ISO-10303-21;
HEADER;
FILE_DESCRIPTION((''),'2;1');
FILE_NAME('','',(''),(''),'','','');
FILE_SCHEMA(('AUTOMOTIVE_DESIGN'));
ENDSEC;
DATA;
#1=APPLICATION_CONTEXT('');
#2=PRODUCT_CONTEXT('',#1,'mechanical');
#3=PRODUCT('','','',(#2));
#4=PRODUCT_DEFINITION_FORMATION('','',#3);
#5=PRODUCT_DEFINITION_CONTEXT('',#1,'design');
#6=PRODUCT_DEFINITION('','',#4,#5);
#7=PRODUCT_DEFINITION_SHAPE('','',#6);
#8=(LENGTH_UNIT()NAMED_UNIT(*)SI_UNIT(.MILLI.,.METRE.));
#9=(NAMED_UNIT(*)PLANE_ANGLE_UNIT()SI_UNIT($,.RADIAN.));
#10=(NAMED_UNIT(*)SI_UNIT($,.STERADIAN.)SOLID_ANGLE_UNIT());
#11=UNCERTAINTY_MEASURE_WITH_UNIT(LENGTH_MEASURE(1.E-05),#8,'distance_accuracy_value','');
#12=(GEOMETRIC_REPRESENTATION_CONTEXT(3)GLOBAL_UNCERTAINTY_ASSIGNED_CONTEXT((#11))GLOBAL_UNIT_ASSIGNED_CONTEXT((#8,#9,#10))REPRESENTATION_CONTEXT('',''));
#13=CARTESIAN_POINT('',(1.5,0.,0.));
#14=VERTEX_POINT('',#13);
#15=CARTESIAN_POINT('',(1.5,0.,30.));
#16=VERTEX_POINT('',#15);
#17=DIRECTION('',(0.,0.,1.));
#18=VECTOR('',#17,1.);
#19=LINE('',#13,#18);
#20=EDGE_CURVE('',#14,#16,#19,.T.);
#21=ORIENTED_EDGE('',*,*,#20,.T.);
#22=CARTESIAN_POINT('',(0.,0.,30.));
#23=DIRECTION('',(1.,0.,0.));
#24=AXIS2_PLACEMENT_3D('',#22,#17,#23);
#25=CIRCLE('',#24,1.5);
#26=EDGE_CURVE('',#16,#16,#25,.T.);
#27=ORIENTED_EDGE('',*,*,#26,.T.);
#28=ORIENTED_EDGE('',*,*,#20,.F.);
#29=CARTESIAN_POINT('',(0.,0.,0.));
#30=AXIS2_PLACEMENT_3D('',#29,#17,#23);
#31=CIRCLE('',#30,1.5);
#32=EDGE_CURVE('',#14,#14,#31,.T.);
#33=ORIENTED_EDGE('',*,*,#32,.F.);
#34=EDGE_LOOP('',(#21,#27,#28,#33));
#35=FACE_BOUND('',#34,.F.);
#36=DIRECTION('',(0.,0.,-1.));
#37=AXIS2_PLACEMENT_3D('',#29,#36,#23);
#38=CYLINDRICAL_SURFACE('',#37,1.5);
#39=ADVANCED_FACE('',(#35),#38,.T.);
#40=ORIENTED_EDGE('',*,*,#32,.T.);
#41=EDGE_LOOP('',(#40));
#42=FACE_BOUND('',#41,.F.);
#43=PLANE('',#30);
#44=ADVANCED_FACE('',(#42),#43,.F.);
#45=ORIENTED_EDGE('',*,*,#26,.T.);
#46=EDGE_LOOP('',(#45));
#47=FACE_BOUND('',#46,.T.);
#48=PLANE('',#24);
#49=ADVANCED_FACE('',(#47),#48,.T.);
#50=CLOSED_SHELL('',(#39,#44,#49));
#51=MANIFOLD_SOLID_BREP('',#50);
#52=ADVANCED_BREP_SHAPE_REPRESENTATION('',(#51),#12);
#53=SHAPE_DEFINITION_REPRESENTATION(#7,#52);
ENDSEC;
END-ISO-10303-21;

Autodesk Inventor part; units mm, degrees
ref_plane "YZ Plane" through (0, 0, 0) normal (1, 0, 0) x (0, 1, 0)
ref_plane "XZ Plane" through (0, 0, 0) normal (0, 1, 0) x (-1, 0, 0)
ref_plane "XY Plane" through (0, 0, 0) normal (0, 0, 1) x (1, 0, 0)
sketch "スケッチ1" plane through (0, 0, 0) normal (0, 0, 1) x (1, 0, 0)
  circle A0 centre (0, 0) radius 1.5
  dimension "d0" = 3
  dimension "d0" = 3
extrude "押し出し1" add sketch "スケッチ1" along normal blind 30
properties part number "shaftB"
